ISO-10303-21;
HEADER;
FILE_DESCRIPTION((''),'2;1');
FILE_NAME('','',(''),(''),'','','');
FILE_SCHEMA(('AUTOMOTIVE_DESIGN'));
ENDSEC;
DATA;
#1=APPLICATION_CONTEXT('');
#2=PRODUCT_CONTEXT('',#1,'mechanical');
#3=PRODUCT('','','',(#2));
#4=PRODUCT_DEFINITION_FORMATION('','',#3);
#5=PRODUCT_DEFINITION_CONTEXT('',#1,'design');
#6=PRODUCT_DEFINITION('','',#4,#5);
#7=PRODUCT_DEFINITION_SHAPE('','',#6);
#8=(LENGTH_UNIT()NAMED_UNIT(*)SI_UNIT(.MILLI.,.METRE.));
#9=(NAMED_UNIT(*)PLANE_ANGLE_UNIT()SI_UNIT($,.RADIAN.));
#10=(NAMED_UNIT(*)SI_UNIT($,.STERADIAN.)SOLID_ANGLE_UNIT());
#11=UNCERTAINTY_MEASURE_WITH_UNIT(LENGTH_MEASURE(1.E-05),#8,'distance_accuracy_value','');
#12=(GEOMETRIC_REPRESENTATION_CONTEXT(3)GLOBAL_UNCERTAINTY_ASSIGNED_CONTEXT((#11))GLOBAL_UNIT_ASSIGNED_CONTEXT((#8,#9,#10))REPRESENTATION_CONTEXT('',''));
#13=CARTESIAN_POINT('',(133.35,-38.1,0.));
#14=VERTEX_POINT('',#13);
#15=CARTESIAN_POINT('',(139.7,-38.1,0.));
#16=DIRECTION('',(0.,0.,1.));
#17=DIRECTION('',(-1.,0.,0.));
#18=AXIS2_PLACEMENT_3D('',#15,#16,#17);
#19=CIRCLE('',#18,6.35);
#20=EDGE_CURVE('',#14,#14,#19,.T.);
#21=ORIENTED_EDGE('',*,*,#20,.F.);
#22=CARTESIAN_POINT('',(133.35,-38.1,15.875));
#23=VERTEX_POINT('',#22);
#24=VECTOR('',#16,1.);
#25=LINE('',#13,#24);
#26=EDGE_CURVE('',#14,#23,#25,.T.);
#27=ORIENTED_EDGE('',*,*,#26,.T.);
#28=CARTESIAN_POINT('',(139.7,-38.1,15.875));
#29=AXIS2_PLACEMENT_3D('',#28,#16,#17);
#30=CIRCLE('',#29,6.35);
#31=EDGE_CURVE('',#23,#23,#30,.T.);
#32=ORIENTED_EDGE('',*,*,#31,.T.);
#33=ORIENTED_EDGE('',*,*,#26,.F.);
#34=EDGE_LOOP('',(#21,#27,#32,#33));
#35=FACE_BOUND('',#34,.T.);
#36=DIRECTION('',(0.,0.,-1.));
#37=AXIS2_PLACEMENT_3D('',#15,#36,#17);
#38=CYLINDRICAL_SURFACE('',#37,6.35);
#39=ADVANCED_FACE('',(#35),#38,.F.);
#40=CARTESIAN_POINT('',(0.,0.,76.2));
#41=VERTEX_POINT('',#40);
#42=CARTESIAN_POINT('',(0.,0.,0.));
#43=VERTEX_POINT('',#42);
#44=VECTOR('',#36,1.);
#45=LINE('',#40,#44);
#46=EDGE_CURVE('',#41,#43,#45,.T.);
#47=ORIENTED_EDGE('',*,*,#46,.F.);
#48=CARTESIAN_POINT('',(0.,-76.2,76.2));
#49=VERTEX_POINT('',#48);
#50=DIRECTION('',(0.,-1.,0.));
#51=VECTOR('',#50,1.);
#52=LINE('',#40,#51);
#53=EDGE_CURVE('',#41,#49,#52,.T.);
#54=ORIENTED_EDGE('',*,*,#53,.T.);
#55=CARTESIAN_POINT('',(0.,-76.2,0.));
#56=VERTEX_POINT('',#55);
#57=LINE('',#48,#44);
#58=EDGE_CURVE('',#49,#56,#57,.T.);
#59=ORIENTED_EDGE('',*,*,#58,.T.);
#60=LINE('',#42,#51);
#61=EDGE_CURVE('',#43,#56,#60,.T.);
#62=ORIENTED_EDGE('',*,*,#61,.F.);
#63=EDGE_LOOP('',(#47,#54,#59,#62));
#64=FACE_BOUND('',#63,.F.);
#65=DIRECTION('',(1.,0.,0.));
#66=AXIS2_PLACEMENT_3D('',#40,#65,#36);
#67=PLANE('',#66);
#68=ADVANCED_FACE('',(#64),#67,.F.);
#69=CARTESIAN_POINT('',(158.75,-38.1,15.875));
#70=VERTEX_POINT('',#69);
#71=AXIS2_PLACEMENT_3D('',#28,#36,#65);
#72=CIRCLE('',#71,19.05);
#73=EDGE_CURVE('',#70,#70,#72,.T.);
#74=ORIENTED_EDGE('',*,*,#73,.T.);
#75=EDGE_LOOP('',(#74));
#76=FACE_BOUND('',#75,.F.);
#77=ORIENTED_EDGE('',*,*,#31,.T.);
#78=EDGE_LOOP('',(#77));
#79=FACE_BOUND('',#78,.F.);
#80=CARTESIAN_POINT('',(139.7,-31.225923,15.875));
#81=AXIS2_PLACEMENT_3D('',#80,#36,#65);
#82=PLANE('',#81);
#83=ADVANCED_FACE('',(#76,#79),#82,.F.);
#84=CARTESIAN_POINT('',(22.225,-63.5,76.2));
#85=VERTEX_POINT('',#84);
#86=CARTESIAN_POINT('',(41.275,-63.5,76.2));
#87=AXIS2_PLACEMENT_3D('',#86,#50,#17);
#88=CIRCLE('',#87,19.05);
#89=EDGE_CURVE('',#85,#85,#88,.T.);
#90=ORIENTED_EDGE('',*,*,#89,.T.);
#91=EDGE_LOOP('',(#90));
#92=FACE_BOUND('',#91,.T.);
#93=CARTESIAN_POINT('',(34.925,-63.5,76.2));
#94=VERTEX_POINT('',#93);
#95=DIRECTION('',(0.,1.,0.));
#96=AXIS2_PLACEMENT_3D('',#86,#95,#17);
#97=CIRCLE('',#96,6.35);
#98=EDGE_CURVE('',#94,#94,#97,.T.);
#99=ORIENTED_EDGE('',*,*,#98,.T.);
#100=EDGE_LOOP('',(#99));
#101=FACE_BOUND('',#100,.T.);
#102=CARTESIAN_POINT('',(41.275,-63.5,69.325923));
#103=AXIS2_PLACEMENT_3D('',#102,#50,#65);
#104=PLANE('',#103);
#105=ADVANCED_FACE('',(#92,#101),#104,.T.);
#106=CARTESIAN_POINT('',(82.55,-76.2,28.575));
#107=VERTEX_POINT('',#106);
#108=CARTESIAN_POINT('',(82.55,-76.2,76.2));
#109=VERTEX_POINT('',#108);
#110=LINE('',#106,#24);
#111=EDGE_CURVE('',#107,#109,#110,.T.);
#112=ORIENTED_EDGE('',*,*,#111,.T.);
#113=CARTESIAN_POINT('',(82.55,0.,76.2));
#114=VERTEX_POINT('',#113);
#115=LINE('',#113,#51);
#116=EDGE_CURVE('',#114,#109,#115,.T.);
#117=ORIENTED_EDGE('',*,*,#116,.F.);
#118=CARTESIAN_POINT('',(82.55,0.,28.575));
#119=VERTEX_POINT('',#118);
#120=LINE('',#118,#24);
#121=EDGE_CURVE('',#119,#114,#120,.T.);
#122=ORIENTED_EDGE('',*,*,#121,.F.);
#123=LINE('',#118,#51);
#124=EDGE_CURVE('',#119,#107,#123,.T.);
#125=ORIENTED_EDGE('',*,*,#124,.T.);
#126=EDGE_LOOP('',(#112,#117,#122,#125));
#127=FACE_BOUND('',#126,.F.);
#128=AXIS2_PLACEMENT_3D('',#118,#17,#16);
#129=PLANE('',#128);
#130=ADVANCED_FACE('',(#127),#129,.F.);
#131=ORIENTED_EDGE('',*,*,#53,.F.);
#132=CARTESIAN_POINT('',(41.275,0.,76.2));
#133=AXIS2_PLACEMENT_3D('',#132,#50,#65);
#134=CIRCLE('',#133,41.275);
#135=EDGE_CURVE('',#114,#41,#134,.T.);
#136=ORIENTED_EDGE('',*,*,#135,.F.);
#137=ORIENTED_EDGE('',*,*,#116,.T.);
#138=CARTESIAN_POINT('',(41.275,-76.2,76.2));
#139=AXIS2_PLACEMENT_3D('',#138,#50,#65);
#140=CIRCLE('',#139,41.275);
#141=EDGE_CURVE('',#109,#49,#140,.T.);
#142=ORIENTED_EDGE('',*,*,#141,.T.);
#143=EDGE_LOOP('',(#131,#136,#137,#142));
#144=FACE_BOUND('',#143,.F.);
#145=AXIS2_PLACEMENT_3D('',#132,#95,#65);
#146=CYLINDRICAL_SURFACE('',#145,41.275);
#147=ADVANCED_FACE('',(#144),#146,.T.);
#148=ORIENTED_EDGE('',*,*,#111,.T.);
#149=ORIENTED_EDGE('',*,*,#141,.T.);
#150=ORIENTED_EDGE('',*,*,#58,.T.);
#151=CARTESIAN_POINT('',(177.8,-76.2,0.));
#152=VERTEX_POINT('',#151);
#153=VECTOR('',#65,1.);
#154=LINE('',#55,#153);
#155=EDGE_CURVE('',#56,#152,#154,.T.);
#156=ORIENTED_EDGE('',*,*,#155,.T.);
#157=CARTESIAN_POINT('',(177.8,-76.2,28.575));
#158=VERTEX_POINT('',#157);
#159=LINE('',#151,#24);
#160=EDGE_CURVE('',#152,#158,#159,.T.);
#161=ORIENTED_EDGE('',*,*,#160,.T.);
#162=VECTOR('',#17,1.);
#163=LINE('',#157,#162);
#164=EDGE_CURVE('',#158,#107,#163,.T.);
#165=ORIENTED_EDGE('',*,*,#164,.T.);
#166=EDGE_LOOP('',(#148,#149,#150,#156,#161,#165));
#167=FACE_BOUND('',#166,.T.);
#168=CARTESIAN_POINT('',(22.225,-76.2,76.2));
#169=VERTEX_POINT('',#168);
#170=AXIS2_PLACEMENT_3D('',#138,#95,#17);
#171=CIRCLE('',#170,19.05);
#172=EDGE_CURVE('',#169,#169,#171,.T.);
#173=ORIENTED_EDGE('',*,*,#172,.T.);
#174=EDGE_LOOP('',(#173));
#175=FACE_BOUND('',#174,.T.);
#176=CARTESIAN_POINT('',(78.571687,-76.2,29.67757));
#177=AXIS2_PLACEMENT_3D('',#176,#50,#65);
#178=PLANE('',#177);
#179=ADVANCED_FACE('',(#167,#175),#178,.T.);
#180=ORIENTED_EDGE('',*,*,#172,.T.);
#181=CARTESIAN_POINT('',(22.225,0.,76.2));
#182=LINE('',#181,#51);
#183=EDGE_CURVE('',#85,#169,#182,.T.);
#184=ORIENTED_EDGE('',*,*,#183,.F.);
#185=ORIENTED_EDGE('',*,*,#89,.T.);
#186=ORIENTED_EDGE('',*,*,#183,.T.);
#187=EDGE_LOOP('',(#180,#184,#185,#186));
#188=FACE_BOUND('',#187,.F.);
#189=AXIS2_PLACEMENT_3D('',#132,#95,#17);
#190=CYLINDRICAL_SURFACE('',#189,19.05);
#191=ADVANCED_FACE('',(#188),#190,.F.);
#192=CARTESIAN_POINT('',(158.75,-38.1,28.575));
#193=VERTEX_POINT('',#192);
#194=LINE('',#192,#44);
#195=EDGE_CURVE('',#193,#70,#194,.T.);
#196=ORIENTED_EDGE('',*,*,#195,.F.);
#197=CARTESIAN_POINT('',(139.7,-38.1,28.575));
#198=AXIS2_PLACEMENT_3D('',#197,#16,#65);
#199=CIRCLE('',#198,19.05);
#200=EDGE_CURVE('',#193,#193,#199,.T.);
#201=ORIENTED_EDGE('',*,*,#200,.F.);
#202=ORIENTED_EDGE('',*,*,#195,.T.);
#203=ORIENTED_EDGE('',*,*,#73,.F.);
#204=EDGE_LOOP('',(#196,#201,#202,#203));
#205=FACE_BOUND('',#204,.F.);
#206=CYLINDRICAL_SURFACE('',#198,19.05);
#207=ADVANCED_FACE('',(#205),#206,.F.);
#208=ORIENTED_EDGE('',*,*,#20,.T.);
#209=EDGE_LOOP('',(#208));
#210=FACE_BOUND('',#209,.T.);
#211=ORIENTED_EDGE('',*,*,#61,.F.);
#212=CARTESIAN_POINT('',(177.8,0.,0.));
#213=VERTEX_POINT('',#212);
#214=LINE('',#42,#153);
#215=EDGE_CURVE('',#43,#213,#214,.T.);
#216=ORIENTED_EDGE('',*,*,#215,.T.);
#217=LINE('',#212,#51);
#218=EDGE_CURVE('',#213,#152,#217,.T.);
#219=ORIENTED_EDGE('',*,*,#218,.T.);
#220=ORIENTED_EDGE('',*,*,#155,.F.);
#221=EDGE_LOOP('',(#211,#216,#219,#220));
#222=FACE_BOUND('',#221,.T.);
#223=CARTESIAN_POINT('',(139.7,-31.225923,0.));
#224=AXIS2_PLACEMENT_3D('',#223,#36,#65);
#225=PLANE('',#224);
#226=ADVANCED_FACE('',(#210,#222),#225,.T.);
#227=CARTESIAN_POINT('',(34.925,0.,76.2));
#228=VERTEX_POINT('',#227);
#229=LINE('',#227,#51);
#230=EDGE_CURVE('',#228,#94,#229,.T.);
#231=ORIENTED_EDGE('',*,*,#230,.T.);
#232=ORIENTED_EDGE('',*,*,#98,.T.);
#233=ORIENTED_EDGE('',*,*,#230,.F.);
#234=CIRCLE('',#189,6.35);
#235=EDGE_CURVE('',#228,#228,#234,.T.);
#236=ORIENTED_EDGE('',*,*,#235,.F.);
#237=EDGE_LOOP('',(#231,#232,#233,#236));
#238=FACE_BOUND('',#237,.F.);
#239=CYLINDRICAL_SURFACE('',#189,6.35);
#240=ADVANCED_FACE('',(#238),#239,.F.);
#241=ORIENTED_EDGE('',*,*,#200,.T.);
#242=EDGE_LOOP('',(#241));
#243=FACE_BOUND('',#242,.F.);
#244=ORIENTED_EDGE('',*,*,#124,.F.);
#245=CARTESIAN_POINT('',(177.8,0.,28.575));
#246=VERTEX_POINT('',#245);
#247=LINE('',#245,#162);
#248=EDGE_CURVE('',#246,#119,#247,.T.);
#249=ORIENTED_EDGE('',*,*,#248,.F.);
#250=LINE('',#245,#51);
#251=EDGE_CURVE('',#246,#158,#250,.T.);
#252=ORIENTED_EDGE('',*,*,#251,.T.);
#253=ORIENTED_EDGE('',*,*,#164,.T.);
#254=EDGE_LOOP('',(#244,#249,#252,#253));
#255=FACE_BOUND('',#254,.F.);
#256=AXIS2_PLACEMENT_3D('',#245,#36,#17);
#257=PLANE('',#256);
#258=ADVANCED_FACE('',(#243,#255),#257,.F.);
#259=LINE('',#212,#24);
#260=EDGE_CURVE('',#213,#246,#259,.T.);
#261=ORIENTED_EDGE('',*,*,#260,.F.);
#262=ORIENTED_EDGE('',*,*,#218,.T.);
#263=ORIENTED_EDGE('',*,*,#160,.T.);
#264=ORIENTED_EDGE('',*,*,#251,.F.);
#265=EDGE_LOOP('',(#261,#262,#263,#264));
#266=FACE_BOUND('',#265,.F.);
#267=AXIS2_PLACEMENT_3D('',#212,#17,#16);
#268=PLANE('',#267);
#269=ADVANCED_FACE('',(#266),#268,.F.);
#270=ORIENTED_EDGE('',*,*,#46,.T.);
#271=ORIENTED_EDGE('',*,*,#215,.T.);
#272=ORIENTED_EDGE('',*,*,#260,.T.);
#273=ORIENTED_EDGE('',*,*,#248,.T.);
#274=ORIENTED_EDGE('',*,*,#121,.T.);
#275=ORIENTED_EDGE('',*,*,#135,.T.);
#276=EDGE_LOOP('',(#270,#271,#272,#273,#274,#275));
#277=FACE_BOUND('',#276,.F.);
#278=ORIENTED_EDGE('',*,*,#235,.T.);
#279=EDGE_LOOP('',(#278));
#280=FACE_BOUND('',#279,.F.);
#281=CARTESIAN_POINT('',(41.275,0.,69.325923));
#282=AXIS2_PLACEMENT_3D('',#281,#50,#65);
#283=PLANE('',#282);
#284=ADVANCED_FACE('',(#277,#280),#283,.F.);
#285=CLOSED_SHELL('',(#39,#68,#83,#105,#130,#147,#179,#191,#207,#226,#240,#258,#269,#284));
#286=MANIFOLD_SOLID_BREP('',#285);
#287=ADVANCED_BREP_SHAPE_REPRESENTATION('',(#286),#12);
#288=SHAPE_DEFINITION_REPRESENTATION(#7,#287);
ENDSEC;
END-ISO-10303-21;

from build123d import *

# Parameters (mm, degrees)
F1_DEPTH = 76.2
F2_DEPTH = 63.5
F3_R     = 19.05
F4_DEPTH = 127
F6_DEPTH = 15.875


with BuildPart() as f1:
    # F0 (on Front) → F1 (new body)
    with BuildSketch(Plane.XZ):
        with BuildLine():
            Line((0, 76.2), (0, 0))
            Line((0, 0), (177.8, 0))
            Line((177.8, 0), (177.8, 28.575))
            Line((177.8, 28.575), (82.55, 28.575))
            Line((82.55, 28.575), (82.55, 76.2))
            Line((82.55, 76.2), (60.325, 76.2))
            ThreePointArc((60.325, 76.2), (41.275, 57.15), (22.225, 76.2))
            Line((22.225, 76.2), (0, 76.2))
        make_face()
        with BuildLine():
            ThreePointArc((82.55, 76.2), (41.275, 117.475), (0, 76.2))
            Line((0, 76.2), (22.225, 76.2))
            ThreePointArc((22.225, 76.2), (41.275, 95.25), (60.325, 76.2))
            Line((60.325, 76.2), (82.55, 76.2))
        make_face()
    extrude(amount=F1_DEPTH)

    # F0 (on Front) → F2 (join)
    with BuildSketch(Plane.XZ):
        with BuildLine():
            Line((34.925, 76.2), (22.225, 76.2))
            ThreePointArc((22.225, 76.2), (41.275, 57.15), (60.325, 76.2))
            Line((60.325, 76.2), (47.625, 76.2))
            ThreePointArc((47.625, 76.2), (41.275, 69.85), (34.925, 76.2))
        make_face()
        with BuildLine():
            ThreePointArc((60.325, 76.2), (41.275, 95.25), (22.225, 76.2))
            Line((22.225, 76.2), (34.925, 76.2))
            ThreePointArc((34.925, 76.2), (41.275, 82.55), (47.625, 76.2))
            Line((47.625, 76.2), (60.325, 76.2))
        make_face()
    extrude(amount=F2_DEPTH)

    # F3 (on face) → F4 (cut)
    with BuildSketch(Plane.XY.offset(28.575)):
        with Locations((139.7, -38.1)):
            Circle(F3_R)
    extrude(amount=-F4_DEPTH, mode=Mode.SUBTRACT)

    # F5 (on face) → F6 (join)
    with BuildSketch(Plane(origin=(0, 0, 0), x_dir=(1, 0, 0), z_dir=(0, 0, -1))):
        with BuildLine():
            ThreePointArc((120.65, 38.1), (139.7, 19.05), (158.75, 38.1))
            Line((158.75, 38.1), (146.05, 38.1))
            ThreePointArc((146.05, 38.1), (139.7, 31.75), (133.35, 38.1))
            Line((133.35, 38.1), (120.65, 38.1))
        make_face()
        with BuildLine():
            Line((146.05, 38.1), (158.75, 38.1))
            ThreePointArc((158.75, 38.1), (139.7, 57.15), (120.65, 38.1))
            Line((120.65, 38.1), (133.35, 38.1))
            ThreePointArc((133.35, 38.1), (139.7, 44.45), (146.05, 38.1))
        make_face()
    extrude(amount=-F6_DEPTH)


solid = f1.part
